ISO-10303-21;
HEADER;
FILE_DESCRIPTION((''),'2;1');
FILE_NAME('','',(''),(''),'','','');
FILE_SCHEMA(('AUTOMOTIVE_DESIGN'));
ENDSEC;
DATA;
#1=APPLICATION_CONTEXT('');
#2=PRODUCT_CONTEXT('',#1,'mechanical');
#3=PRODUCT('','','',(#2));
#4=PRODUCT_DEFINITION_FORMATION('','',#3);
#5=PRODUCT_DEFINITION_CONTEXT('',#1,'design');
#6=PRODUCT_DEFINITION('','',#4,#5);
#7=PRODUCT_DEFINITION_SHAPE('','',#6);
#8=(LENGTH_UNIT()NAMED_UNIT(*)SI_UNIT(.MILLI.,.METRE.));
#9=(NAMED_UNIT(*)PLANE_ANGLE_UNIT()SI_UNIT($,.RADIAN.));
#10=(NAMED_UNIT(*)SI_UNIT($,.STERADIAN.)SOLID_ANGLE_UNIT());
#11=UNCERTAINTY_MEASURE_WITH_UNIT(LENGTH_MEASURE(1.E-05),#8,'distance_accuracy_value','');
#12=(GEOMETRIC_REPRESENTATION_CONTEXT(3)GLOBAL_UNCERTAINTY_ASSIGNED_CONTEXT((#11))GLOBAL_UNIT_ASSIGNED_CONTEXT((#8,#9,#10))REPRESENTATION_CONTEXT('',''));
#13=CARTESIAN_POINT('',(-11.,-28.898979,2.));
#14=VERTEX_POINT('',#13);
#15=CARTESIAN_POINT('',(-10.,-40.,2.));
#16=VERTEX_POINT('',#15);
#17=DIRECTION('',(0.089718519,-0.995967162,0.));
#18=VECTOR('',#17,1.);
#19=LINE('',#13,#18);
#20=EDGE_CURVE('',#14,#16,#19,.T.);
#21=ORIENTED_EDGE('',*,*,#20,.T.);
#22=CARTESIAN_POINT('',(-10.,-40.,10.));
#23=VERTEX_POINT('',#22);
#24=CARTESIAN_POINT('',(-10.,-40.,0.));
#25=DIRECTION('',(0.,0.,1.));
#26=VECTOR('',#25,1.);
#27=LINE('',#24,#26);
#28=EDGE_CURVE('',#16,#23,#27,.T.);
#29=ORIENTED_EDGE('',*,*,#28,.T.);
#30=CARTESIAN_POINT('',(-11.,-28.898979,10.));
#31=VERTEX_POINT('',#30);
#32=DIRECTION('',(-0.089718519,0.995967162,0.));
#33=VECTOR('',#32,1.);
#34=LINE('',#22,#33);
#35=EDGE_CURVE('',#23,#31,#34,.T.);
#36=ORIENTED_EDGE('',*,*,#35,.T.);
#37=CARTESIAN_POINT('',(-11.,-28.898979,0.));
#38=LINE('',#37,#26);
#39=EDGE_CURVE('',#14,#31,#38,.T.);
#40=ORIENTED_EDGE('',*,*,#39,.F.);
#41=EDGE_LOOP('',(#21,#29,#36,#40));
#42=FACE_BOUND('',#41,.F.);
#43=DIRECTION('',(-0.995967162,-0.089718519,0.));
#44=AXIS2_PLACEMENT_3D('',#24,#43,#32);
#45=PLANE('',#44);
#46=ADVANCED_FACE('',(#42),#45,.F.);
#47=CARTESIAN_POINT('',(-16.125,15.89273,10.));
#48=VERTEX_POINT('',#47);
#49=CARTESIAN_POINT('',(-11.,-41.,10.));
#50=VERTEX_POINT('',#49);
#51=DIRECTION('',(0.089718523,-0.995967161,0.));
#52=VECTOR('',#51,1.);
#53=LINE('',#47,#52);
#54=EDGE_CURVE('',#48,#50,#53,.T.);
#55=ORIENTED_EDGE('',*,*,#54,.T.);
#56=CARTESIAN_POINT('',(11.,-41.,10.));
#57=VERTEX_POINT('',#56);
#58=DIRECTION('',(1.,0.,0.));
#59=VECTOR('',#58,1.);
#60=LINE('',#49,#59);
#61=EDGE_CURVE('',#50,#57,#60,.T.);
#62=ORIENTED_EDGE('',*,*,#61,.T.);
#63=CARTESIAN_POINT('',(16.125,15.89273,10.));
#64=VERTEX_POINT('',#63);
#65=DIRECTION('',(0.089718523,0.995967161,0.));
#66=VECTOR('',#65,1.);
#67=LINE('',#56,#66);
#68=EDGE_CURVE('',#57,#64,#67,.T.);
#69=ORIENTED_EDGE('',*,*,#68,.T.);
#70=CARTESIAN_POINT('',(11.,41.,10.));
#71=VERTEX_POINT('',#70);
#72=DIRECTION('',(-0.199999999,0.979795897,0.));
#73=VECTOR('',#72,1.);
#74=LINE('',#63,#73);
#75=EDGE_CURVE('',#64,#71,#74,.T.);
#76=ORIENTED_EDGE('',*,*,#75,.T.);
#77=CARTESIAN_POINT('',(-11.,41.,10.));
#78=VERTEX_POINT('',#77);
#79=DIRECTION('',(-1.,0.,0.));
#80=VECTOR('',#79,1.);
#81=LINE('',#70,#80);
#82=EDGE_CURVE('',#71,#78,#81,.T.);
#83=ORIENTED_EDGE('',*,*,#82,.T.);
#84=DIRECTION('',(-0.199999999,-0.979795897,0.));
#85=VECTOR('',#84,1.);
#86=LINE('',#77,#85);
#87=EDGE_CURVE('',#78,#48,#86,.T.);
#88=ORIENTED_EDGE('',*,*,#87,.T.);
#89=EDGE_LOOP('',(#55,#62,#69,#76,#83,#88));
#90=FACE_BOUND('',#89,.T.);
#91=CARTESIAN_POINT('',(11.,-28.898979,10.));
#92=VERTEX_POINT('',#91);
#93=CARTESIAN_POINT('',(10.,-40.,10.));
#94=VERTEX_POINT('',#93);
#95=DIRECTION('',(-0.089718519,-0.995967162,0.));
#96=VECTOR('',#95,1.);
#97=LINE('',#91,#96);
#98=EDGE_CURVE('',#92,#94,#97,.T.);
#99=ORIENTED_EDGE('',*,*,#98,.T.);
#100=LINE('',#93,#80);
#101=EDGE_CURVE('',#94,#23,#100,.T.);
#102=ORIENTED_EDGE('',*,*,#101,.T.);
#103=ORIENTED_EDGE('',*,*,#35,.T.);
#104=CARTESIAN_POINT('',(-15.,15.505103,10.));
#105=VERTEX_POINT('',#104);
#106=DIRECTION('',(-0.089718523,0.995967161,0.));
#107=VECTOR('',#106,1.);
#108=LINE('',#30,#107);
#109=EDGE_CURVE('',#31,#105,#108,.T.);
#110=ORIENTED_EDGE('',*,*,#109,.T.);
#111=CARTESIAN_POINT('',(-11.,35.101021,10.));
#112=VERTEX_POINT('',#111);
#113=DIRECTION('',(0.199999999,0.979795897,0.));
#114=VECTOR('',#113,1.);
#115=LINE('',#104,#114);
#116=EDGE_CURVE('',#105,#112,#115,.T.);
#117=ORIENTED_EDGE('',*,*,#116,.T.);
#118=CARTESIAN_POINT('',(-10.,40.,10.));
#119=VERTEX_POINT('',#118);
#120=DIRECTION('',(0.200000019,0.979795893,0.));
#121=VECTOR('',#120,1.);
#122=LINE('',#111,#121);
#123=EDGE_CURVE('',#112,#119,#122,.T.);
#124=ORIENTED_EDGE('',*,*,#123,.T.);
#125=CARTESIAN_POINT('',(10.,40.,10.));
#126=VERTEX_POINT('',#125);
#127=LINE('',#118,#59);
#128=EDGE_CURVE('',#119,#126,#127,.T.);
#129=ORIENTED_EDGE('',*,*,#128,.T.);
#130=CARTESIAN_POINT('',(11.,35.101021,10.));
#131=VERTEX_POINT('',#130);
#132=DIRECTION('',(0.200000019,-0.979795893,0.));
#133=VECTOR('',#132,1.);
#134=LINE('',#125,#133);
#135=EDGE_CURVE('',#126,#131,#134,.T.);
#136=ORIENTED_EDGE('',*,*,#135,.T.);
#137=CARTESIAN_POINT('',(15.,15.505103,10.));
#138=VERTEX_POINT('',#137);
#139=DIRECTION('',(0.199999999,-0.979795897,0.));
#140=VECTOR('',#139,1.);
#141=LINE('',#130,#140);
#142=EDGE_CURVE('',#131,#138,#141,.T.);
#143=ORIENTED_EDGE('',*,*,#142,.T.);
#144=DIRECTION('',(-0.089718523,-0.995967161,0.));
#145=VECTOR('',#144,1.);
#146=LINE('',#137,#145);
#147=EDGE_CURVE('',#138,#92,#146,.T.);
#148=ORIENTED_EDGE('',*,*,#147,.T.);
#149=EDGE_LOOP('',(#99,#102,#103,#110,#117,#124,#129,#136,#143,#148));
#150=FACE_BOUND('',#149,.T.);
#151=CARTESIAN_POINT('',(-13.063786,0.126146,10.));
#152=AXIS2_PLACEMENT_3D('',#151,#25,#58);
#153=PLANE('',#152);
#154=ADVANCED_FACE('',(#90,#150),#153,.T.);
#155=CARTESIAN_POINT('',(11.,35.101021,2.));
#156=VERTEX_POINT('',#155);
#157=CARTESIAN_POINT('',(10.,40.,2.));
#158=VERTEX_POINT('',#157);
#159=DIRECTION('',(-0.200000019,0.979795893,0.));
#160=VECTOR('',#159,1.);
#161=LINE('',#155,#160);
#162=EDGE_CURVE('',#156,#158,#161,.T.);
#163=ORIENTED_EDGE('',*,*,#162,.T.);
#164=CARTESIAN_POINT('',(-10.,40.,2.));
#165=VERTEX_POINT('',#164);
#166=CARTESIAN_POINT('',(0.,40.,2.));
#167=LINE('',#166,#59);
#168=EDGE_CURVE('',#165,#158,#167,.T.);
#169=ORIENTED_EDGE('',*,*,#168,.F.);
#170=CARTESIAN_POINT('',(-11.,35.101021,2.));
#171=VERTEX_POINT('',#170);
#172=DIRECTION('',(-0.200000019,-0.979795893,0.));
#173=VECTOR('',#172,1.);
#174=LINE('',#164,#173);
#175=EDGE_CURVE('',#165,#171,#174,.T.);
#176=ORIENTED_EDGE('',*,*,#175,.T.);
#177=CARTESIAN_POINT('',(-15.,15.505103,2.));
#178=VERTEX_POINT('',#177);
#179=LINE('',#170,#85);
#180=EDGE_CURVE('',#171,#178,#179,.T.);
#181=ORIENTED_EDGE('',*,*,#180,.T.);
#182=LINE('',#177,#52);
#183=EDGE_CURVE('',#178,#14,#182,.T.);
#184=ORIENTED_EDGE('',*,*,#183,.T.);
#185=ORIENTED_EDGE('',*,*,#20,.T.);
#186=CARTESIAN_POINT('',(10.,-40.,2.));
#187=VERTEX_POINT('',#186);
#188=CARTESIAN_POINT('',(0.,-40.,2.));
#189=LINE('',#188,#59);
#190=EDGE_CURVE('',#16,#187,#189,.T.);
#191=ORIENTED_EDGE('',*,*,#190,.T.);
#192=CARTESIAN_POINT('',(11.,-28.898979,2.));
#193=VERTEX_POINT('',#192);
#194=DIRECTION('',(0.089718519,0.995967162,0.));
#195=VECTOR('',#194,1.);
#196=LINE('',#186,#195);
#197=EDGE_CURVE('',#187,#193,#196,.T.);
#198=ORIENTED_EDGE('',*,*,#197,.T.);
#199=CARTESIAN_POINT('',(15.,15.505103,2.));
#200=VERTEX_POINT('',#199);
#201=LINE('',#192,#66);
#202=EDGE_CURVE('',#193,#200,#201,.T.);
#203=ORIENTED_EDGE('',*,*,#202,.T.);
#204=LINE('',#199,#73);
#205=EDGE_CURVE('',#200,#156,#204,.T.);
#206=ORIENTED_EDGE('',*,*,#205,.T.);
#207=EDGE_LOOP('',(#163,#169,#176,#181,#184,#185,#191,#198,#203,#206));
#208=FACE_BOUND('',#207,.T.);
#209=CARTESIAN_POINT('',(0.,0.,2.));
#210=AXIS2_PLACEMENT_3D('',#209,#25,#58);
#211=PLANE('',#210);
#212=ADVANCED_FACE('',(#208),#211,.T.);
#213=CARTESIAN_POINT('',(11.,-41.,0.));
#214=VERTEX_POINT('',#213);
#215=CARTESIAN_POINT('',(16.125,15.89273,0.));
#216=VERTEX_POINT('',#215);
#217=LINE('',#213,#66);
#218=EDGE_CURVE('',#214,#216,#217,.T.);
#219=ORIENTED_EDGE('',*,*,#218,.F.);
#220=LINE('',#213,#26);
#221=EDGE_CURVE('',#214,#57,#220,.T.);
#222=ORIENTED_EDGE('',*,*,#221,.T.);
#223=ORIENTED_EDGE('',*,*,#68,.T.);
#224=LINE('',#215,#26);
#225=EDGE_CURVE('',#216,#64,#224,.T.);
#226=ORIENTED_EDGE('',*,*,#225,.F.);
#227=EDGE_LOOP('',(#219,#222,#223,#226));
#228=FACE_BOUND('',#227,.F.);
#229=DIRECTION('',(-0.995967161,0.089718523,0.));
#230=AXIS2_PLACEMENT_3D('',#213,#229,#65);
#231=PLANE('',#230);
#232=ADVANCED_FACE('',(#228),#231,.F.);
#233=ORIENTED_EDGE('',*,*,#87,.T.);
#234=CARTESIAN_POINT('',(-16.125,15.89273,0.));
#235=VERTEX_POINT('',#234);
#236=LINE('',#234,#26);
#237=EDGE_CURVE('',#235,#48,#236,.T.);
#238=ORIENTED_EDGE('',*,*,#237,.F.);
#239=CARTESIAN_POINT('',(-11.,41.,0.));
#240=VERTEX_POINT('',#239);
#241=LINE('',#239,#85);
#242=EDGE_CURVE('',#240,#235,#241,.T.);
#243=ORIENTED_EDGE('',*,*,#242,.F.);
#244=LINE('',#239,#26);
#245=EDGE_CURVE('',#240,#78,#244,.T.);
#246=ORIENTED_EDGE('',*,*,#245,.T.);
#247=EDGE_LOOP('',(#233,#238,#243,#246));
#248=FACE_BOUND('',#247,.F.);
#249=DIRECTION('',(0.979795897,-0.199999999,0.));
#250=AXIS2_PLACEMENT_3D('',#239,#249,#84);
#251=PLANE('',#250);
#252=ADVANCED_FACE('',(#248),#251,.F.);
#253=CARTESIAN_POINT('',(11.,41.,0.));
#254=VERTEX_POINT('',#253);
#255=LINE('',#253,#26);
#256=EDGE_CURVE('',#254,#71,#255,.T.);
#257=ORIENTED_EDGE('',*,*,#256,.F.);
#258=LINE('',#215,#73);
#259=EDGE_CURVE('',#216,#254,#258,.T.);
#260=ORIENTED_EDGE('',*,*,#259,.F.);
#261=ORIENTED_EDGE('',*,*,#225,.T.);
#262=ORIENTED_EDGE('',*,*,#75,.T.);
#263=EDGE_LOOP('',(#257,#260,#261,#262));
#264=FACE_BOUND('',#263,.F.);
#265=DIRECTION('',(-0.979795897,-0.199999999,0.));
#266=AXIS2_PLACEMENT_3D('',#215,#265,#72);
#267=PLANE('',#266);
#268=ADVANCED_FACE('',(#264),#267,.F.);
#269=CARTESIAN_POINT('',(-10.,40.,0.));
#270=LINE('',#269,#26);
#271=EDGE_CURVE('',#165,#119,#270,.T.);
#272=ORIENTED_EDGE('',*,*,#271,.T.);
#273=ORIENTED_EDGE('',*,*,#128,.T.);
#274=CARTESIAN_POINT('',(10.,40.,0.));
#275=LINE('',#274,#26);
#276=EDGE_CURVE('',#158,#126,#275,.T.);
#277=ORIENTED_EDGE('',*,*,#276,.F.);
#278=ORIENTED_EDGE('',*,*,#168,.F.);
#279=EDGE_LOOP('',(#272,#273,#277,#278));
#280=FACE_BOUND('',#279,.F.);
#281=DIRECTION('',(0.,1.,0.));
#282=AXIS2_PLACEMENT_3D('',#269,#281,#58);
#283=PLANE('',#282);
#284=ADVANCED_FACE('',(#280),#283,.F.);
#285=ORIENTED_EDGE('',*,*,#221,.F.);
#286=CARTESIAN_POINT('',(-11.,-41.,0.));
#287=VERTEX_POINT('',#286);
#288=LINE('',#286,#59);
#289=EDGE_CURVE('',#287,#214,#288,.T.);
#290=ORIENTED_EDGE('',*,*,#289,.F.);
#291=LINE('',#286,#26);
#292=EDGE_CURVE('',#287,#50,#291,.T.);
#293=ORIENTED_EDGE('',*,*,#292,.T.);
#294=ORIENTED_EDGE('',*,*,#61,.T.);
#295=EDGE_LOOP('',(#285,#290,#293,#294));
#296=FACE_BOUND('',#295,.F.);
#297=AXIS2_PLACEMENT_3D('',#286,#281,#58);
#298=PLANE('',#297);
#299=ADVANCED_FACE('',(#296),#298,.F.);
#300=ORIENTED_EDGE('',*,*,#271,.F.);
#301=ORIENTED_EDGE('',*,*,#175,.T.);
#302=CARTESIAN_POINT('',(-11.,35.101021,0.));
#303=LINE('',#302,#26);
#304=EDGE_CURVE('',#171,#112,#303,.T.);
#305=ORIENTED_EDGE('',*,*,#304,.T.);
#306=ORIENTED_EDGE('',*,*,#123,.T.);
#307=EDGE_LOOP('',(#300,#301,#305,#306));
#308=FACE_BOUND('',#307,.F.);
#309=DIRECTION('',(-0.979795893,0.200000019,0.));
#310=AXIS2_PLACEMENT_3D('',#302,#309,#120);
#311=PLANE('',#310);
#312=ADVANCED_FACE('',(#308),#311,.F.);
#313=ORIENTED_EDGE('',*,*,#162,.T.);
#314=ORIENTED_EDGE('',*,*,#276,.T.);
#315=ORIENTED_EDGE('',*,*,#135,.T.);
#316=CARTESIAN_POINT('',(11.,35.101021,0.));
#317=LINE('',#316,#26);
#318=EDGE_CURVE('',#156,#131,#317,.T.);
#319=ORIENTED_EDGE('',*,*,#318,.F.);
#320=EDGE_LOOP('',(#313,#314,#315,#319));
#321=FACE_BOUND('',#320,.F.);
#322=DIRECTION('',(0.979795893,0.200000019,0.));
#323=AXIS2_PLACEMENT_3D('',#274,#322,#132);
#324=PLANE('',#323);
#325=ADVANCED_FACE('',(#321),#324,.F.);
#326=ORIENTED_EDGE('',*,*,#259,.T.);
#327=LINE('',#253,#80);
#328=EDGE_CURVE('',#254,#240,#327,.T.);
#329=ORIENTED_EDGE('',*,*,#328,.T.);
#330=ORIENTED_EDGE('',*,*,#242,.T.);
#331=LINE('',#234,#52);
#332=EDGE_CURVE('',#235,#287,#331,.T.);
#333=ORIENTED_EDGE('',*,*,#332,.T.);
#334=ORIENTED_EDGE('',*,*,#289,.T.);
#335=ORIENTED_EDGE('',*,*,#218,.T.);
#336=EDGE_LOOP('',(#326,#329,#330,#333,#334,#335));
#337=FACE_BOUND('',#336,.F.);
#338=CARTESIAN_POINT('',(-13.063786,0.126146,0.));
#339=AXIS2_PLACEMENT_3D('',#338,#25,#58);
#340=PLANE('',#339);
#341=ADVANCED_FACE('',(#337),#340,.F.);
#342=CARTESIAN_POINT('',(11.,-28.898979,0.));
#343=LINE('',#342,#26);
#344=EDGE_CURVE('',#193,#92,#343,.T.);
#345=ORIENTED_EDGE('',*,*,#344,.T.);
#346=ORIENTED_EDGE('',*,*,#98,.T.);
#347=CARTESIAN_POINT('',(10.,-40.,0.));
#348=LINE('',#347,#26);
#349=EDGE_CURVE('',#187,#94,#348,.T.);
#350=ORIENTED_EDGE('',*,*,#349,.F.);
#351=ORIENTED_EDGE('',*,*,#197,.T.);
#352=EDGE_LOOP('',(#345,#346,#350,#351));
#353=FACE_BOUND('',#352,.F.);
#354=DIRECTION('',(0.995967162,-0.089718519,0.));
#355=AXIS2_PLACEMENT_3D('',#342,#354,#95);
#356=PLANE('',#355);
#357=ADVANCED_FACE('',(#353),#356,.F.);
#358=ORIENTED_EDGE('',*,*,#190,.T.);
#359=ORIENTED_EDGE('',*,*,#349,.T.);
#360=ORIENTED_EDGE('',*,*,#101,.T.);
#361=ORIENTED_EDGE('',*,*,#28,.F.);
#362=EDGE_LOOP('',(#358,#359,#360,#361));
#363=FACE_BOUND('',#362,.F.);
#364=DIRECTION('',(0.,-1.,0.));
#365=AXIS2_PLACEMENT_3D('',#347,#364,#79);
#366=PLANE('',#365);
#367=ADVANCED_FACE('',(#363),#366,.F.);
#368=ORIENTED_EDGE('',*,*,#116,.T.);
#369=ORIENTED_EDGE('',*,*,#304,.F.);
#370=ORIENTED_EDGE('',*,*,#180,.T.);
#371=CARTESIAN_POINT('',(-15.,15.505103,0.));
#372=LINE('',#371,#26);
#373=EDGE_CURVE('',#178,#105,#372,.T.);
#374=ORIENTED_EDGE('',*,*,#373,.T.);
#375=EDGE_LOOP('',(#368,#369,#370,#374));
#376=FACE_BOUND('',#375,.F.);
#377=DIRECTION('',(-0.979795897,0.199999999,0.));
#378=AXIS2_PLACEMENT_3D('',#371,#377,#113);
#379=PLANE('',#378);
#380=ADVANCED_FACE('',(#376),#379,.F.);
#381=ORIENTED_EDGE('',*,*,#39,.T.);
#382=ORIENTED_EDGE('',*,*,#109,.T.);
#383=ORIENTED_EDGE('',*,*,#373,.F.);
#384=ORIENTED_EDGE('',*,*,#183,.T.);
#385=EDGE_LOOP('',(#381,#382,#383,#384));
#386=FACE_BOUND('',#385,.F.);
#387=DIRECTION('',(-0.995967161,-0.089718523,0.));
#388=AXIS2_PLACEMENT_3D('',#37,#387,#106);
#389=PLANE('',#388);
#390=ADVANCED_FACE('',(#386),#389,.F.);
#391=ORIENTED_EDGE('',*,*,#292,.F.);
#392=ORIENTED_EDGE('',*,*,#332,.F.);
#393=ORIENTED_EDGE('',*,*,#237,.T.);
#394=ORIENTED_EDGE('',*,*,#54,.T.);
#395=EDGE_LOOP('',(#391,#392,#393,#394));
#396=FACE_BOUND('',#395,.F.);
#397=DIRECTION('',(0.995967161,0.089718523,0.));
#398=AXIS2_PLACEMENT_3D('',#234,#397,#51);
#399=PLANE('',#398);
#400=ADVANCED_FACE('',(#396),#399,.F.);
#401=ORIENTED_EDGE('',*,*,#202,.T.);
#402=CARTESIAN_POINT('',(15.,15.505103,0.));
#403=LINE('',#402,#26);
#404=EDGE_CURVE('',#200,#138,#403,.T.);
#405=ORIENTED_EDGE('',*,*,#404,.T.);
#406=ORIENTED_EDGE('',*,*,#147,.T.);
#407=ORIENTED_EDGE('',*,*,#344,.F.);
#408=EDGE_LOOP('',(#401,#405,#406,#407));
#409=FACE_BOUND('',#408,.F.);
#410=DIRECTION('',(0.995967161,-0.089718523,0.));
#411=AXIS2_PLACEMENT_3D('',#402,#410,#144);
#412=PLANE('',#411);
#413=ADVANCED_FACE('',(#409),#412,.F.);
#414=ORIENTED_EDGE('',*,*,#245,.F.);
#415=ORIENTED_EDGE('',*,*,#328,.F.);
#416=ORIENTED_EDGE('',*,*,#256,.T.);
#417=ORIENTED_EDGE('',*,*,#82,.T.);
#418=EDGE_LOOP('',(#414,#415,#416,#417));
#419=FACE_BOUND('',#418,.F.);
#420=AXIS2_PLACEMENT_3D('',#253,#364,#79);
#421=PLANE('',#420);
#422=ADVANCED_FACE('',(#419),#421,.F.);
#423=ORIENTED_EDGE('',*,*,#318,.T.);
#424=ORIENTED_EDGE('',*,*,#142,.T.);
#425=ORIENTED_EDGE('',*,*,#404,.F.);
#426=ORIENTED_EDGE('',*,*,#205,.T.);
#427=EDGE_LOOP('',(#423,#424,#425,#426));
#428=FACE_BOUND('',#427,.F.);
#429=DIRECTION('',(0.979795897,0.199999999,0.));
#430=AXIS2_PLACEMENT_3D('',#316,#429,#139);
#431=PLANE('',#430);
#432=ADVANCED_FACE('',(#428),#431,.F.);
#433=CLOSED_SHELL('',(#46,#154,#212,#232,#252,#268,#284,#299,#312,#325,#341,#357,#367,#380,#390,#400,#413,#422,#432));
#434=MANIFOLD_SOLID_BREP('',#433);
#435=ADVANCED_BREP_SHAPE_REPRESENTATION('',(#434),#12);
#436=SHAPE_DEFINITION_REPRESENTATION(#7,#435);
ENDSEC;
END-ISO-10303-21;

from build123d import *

# Parameters (mm, degrees)
F0_W     = 20
F0_H     = 80
F1_DEPTH = 2
F2_DEPTH = 10


with BuildPart() as f1:
    # F0 (on Top) → F1 (new body)
    with BuildSketch(Plane.XY):
        Rectangle(F0_W, F0_H)
        Polygon((-10, -40), (-10, 40), (-11, 35.101021), (-11, -28.898979), align=None)
        Polygon((11, 35.101021), (10, 40), (10, -40), (11, -28.898979), align=None)
        Polygon((-11, -28.898979), (-11, 35.101021), (-15, 15.505103), align=None)
        Polygon((15, 15.505103), (11, 35.101021), (11, -28.898979), align=None)
    extrude(amount=F1_DEPTH)

    # F0 (on Top) → F2 (join)
    with BuildSketch(Plane.XY):
        Polygon((-15, 15.505103), (-11, 35.101021), (-11, 41), (-16.125, 15.89273), (-11, -41), (-11, -28.898979), align=None)
        Polygon((-10, 40), (10, 40), (11, 35.101021), (11, 41), (-11, 41), (-11, 35.101021), align=None)
        Polygon((11, 41), (11, 35.101021), (15, 15.505103), (11, -28.898979), (11, -41), (16.125, 15.89273), align=None)
        Polygon((11, -28.898979), (10, -40), (-10, -40), (-11, -28.898979), (-11, -41), (11, -41), align=None)
    extrude(amount=F2_DEPTH)


solid = f1.part
